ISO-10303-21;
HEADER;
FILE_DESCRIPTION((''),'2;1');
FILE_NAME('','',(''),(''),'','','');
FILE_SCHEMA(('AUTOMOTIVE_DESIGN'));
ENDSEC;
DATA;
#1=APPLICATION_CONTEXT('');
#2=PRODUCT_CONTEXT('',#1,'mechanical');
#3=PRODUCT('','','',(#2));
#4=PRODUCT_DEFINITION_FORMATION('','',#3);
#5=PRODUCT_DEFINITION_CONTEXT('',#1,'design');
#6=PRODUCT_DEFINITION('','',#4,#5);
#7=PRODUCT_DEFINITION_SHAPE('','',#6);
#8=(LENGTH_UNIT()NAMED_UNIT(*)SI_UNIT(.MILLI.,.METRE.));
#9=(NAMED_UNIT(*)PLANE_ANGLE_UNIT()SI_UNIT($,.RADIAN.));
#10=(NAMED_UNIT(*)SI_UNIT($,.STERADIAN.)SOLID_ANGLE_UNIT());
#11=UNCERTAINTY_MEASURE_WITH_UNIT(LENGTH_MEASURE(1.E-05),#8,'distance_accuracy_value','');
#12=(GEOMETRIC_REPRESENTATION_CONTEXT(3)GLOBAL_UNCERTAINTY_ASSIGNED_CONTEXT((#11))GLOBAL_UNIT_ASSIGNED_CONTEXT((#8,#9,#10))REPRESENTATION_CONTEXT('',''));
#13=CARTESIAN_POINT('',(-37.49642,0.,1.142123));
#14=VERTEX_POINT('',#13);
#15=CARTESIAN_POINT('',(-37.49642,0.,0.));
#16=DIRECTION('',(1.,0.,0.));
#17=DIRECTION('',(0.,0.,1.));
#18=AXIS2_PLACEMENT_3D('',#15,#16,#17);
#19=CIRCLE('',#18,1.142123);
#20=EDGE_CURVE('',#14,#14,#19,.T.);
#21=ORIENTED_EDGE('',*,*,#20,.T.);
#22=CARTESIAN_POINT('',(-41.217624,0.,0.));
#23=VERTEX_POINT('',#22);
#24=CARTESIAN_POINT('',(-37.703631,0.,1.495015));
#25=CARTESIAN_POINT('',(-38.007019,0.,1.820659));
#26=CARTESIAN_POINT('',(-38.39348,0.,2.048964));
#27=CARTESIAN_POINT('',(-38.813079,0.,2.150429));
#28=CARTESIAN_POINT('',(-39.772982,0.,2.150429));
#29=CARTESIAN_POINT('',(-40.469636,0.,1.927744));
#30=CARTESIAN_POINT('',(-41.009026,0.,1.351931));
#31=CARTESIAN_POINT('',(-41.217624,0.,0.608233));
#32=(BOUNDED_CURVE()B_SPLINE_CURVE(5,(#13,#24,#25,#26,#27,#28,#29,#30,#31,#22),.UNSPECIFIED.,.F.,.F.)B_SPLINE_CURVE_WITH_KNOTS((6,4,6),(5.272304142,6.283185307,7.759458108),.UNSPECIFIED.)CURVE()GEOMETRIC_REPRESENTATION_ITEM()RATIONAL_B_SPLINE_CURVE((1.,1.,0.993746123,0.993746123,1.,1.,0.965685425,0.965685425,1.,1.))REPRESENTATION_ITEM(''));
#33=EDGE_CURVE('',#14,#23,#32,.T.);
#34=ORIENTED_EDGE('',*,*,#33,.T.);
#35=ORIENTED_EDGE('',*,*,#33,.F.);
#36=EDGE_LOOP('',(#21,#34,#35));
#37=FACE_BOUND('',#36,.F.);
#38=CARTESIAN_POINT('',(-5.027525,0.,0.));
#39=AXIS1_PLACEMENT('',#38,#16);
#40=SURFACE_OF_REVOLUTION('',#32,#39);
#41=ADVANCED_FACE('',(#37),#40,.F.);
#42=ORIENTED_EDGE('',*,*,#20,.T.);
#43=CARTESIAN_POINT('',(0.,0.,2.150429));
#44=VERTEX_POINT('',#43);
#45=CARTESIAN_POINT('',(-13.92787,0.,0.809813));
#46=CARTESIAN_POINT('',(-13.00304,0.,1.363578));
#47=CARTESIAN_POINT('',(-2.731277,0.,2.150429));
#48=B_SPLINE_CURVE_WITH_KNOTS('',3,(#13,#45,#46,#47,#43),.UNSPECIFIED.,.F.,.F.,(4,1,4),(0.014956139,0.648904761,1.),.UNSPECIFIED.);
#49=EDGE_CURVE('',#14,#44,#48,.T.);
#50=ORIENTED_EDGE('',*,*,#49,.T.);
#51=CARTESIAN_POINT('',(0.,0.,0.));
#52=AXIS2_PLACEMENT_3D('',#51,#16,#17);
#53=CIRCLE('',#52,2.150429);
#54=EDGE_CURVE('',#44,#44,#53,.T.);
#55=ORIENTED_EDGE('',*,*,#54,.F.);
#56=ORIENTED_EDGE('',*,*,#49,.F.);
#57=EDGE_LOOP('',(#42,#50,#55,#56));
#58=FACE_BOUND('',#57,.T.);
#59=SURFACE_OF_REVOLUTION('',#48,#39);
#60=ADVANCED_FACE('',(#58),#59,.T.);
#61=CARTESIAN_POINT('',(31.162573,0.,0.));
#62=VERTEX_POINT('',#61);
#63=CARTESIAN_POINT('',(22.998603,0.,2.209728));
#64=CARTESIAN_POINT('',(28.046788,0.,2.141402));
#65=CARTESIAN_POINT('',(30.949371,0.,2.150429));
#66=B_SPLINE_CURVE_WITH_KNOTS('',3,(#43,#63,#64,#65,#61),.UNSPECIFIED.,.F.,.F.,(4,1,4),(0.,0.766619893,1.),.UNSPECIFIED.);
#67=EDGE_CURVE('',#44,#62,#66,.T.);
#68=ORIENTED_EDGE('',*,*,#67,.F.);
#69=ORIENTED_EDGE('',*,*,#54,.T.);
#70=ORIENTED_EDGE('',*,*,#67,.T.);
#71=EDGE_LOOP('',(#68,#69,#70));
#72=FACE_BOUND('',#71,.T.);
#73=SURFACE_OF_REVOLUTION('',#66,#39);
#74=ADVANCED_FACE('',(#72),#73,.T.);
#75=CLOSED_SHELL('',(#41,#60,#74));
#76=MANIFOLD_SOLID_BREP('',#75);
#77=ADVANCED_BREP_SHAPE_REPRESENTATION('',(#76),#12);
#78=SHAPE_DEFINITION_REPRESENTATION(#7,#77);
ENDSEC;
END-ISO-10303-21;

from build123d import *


with BuildPart() as f1:
    # F0 (on Front) → F1 (revolve)
    with BuildSketch(Plane.XZ):
        with BuildLine():
            add(Edge.make_bspline(
                [(-37.4964202379, 1.1421234284), (-13.9278701148, 0.80981308), (-13.0030397137, 1.3635784524), (-2.7312771649, 2.1504286233), (0, 2.1504286233)],
                knots=[0.0149561391, 0.0149561391, 0.0149561391, 0.0149561391, 0.6489047613, 1, 1, 1, 1], degree=3))
            add(Edge.make_bspline(
                [(-37.1888215015, 0), (-37.1888215015, 0.6182662922), (-37.4964202379, 1.1421234284)],
                knots=[4.7123889804, 4.7123889804, 4.7123889804, 5.2723041423, 5.2723041423, 5.2723041423], degree=2, weights=[1, 0.9610671602, 1]))
            Line((-37.1888215015, 0), (31.1625732063, 0))
            add(Edge.make_bspline(
                [(0, 2.1504286233), (22.9986030608, 2.2097276524), (28.0467875477, 2.1414024984), (30.9493709121, 2.1504286233), (31.1625732063, 0)],
                knots=[0, 0, 0, 0, 0.7666198927, 1, 1, 1, 1], degree=3))
        make_face()
    revolve(axis=Axis((-5.0275254871, 0, 0), (1, 0, 0)))

    # F0 (on Front) → F2 (revolve)
    with BuildSketch(Plane.XZ):
        with BuildLine():
            add(Edge.make_bspline(
                [(-37.4964202379, 1.1421234284), (-38.0884774659, 2.1504286233), (-39.203222841, 2.1504286233)],
                knots=[5.2723041423, 5.2723041423, 5.2723041423, 6.2831853072, 6.2831853072, 6.2831853072], degree=2, weights=[1, 0.8749612324, 1]))
            add(Edge.make_bspline(
                [(-39.203222841, 2.1504286233), (-41.2176241806, 2.1504286233), (-41.2176241806, 0)],
                knots=[0, 0, 0, 1.5707963268, 1.5707963268, 1.5707963268], degree=2, weights=[1, 0.7071067812, 1]))
            Line((-41.2176241806, 0), (-37.1888215015, 0))
            add(Edge.make_bspline(
                [(-37.1888215015, 0), (-37.1888215015, 0.6182662922), (-37.4964202379, 1.1421234284)],
                knots=[4.7123889804, 4.7123889804, 4.7123889804, 5.2723041423, 5.2723041423, 5.2723041423], degree=2, weights=[1, 0.9610671602, 1]))
        make_face()
    revolve(axis=Axis((-5.0275254871, 0, 0), (1, 0, 0)))


solid = f1.part
